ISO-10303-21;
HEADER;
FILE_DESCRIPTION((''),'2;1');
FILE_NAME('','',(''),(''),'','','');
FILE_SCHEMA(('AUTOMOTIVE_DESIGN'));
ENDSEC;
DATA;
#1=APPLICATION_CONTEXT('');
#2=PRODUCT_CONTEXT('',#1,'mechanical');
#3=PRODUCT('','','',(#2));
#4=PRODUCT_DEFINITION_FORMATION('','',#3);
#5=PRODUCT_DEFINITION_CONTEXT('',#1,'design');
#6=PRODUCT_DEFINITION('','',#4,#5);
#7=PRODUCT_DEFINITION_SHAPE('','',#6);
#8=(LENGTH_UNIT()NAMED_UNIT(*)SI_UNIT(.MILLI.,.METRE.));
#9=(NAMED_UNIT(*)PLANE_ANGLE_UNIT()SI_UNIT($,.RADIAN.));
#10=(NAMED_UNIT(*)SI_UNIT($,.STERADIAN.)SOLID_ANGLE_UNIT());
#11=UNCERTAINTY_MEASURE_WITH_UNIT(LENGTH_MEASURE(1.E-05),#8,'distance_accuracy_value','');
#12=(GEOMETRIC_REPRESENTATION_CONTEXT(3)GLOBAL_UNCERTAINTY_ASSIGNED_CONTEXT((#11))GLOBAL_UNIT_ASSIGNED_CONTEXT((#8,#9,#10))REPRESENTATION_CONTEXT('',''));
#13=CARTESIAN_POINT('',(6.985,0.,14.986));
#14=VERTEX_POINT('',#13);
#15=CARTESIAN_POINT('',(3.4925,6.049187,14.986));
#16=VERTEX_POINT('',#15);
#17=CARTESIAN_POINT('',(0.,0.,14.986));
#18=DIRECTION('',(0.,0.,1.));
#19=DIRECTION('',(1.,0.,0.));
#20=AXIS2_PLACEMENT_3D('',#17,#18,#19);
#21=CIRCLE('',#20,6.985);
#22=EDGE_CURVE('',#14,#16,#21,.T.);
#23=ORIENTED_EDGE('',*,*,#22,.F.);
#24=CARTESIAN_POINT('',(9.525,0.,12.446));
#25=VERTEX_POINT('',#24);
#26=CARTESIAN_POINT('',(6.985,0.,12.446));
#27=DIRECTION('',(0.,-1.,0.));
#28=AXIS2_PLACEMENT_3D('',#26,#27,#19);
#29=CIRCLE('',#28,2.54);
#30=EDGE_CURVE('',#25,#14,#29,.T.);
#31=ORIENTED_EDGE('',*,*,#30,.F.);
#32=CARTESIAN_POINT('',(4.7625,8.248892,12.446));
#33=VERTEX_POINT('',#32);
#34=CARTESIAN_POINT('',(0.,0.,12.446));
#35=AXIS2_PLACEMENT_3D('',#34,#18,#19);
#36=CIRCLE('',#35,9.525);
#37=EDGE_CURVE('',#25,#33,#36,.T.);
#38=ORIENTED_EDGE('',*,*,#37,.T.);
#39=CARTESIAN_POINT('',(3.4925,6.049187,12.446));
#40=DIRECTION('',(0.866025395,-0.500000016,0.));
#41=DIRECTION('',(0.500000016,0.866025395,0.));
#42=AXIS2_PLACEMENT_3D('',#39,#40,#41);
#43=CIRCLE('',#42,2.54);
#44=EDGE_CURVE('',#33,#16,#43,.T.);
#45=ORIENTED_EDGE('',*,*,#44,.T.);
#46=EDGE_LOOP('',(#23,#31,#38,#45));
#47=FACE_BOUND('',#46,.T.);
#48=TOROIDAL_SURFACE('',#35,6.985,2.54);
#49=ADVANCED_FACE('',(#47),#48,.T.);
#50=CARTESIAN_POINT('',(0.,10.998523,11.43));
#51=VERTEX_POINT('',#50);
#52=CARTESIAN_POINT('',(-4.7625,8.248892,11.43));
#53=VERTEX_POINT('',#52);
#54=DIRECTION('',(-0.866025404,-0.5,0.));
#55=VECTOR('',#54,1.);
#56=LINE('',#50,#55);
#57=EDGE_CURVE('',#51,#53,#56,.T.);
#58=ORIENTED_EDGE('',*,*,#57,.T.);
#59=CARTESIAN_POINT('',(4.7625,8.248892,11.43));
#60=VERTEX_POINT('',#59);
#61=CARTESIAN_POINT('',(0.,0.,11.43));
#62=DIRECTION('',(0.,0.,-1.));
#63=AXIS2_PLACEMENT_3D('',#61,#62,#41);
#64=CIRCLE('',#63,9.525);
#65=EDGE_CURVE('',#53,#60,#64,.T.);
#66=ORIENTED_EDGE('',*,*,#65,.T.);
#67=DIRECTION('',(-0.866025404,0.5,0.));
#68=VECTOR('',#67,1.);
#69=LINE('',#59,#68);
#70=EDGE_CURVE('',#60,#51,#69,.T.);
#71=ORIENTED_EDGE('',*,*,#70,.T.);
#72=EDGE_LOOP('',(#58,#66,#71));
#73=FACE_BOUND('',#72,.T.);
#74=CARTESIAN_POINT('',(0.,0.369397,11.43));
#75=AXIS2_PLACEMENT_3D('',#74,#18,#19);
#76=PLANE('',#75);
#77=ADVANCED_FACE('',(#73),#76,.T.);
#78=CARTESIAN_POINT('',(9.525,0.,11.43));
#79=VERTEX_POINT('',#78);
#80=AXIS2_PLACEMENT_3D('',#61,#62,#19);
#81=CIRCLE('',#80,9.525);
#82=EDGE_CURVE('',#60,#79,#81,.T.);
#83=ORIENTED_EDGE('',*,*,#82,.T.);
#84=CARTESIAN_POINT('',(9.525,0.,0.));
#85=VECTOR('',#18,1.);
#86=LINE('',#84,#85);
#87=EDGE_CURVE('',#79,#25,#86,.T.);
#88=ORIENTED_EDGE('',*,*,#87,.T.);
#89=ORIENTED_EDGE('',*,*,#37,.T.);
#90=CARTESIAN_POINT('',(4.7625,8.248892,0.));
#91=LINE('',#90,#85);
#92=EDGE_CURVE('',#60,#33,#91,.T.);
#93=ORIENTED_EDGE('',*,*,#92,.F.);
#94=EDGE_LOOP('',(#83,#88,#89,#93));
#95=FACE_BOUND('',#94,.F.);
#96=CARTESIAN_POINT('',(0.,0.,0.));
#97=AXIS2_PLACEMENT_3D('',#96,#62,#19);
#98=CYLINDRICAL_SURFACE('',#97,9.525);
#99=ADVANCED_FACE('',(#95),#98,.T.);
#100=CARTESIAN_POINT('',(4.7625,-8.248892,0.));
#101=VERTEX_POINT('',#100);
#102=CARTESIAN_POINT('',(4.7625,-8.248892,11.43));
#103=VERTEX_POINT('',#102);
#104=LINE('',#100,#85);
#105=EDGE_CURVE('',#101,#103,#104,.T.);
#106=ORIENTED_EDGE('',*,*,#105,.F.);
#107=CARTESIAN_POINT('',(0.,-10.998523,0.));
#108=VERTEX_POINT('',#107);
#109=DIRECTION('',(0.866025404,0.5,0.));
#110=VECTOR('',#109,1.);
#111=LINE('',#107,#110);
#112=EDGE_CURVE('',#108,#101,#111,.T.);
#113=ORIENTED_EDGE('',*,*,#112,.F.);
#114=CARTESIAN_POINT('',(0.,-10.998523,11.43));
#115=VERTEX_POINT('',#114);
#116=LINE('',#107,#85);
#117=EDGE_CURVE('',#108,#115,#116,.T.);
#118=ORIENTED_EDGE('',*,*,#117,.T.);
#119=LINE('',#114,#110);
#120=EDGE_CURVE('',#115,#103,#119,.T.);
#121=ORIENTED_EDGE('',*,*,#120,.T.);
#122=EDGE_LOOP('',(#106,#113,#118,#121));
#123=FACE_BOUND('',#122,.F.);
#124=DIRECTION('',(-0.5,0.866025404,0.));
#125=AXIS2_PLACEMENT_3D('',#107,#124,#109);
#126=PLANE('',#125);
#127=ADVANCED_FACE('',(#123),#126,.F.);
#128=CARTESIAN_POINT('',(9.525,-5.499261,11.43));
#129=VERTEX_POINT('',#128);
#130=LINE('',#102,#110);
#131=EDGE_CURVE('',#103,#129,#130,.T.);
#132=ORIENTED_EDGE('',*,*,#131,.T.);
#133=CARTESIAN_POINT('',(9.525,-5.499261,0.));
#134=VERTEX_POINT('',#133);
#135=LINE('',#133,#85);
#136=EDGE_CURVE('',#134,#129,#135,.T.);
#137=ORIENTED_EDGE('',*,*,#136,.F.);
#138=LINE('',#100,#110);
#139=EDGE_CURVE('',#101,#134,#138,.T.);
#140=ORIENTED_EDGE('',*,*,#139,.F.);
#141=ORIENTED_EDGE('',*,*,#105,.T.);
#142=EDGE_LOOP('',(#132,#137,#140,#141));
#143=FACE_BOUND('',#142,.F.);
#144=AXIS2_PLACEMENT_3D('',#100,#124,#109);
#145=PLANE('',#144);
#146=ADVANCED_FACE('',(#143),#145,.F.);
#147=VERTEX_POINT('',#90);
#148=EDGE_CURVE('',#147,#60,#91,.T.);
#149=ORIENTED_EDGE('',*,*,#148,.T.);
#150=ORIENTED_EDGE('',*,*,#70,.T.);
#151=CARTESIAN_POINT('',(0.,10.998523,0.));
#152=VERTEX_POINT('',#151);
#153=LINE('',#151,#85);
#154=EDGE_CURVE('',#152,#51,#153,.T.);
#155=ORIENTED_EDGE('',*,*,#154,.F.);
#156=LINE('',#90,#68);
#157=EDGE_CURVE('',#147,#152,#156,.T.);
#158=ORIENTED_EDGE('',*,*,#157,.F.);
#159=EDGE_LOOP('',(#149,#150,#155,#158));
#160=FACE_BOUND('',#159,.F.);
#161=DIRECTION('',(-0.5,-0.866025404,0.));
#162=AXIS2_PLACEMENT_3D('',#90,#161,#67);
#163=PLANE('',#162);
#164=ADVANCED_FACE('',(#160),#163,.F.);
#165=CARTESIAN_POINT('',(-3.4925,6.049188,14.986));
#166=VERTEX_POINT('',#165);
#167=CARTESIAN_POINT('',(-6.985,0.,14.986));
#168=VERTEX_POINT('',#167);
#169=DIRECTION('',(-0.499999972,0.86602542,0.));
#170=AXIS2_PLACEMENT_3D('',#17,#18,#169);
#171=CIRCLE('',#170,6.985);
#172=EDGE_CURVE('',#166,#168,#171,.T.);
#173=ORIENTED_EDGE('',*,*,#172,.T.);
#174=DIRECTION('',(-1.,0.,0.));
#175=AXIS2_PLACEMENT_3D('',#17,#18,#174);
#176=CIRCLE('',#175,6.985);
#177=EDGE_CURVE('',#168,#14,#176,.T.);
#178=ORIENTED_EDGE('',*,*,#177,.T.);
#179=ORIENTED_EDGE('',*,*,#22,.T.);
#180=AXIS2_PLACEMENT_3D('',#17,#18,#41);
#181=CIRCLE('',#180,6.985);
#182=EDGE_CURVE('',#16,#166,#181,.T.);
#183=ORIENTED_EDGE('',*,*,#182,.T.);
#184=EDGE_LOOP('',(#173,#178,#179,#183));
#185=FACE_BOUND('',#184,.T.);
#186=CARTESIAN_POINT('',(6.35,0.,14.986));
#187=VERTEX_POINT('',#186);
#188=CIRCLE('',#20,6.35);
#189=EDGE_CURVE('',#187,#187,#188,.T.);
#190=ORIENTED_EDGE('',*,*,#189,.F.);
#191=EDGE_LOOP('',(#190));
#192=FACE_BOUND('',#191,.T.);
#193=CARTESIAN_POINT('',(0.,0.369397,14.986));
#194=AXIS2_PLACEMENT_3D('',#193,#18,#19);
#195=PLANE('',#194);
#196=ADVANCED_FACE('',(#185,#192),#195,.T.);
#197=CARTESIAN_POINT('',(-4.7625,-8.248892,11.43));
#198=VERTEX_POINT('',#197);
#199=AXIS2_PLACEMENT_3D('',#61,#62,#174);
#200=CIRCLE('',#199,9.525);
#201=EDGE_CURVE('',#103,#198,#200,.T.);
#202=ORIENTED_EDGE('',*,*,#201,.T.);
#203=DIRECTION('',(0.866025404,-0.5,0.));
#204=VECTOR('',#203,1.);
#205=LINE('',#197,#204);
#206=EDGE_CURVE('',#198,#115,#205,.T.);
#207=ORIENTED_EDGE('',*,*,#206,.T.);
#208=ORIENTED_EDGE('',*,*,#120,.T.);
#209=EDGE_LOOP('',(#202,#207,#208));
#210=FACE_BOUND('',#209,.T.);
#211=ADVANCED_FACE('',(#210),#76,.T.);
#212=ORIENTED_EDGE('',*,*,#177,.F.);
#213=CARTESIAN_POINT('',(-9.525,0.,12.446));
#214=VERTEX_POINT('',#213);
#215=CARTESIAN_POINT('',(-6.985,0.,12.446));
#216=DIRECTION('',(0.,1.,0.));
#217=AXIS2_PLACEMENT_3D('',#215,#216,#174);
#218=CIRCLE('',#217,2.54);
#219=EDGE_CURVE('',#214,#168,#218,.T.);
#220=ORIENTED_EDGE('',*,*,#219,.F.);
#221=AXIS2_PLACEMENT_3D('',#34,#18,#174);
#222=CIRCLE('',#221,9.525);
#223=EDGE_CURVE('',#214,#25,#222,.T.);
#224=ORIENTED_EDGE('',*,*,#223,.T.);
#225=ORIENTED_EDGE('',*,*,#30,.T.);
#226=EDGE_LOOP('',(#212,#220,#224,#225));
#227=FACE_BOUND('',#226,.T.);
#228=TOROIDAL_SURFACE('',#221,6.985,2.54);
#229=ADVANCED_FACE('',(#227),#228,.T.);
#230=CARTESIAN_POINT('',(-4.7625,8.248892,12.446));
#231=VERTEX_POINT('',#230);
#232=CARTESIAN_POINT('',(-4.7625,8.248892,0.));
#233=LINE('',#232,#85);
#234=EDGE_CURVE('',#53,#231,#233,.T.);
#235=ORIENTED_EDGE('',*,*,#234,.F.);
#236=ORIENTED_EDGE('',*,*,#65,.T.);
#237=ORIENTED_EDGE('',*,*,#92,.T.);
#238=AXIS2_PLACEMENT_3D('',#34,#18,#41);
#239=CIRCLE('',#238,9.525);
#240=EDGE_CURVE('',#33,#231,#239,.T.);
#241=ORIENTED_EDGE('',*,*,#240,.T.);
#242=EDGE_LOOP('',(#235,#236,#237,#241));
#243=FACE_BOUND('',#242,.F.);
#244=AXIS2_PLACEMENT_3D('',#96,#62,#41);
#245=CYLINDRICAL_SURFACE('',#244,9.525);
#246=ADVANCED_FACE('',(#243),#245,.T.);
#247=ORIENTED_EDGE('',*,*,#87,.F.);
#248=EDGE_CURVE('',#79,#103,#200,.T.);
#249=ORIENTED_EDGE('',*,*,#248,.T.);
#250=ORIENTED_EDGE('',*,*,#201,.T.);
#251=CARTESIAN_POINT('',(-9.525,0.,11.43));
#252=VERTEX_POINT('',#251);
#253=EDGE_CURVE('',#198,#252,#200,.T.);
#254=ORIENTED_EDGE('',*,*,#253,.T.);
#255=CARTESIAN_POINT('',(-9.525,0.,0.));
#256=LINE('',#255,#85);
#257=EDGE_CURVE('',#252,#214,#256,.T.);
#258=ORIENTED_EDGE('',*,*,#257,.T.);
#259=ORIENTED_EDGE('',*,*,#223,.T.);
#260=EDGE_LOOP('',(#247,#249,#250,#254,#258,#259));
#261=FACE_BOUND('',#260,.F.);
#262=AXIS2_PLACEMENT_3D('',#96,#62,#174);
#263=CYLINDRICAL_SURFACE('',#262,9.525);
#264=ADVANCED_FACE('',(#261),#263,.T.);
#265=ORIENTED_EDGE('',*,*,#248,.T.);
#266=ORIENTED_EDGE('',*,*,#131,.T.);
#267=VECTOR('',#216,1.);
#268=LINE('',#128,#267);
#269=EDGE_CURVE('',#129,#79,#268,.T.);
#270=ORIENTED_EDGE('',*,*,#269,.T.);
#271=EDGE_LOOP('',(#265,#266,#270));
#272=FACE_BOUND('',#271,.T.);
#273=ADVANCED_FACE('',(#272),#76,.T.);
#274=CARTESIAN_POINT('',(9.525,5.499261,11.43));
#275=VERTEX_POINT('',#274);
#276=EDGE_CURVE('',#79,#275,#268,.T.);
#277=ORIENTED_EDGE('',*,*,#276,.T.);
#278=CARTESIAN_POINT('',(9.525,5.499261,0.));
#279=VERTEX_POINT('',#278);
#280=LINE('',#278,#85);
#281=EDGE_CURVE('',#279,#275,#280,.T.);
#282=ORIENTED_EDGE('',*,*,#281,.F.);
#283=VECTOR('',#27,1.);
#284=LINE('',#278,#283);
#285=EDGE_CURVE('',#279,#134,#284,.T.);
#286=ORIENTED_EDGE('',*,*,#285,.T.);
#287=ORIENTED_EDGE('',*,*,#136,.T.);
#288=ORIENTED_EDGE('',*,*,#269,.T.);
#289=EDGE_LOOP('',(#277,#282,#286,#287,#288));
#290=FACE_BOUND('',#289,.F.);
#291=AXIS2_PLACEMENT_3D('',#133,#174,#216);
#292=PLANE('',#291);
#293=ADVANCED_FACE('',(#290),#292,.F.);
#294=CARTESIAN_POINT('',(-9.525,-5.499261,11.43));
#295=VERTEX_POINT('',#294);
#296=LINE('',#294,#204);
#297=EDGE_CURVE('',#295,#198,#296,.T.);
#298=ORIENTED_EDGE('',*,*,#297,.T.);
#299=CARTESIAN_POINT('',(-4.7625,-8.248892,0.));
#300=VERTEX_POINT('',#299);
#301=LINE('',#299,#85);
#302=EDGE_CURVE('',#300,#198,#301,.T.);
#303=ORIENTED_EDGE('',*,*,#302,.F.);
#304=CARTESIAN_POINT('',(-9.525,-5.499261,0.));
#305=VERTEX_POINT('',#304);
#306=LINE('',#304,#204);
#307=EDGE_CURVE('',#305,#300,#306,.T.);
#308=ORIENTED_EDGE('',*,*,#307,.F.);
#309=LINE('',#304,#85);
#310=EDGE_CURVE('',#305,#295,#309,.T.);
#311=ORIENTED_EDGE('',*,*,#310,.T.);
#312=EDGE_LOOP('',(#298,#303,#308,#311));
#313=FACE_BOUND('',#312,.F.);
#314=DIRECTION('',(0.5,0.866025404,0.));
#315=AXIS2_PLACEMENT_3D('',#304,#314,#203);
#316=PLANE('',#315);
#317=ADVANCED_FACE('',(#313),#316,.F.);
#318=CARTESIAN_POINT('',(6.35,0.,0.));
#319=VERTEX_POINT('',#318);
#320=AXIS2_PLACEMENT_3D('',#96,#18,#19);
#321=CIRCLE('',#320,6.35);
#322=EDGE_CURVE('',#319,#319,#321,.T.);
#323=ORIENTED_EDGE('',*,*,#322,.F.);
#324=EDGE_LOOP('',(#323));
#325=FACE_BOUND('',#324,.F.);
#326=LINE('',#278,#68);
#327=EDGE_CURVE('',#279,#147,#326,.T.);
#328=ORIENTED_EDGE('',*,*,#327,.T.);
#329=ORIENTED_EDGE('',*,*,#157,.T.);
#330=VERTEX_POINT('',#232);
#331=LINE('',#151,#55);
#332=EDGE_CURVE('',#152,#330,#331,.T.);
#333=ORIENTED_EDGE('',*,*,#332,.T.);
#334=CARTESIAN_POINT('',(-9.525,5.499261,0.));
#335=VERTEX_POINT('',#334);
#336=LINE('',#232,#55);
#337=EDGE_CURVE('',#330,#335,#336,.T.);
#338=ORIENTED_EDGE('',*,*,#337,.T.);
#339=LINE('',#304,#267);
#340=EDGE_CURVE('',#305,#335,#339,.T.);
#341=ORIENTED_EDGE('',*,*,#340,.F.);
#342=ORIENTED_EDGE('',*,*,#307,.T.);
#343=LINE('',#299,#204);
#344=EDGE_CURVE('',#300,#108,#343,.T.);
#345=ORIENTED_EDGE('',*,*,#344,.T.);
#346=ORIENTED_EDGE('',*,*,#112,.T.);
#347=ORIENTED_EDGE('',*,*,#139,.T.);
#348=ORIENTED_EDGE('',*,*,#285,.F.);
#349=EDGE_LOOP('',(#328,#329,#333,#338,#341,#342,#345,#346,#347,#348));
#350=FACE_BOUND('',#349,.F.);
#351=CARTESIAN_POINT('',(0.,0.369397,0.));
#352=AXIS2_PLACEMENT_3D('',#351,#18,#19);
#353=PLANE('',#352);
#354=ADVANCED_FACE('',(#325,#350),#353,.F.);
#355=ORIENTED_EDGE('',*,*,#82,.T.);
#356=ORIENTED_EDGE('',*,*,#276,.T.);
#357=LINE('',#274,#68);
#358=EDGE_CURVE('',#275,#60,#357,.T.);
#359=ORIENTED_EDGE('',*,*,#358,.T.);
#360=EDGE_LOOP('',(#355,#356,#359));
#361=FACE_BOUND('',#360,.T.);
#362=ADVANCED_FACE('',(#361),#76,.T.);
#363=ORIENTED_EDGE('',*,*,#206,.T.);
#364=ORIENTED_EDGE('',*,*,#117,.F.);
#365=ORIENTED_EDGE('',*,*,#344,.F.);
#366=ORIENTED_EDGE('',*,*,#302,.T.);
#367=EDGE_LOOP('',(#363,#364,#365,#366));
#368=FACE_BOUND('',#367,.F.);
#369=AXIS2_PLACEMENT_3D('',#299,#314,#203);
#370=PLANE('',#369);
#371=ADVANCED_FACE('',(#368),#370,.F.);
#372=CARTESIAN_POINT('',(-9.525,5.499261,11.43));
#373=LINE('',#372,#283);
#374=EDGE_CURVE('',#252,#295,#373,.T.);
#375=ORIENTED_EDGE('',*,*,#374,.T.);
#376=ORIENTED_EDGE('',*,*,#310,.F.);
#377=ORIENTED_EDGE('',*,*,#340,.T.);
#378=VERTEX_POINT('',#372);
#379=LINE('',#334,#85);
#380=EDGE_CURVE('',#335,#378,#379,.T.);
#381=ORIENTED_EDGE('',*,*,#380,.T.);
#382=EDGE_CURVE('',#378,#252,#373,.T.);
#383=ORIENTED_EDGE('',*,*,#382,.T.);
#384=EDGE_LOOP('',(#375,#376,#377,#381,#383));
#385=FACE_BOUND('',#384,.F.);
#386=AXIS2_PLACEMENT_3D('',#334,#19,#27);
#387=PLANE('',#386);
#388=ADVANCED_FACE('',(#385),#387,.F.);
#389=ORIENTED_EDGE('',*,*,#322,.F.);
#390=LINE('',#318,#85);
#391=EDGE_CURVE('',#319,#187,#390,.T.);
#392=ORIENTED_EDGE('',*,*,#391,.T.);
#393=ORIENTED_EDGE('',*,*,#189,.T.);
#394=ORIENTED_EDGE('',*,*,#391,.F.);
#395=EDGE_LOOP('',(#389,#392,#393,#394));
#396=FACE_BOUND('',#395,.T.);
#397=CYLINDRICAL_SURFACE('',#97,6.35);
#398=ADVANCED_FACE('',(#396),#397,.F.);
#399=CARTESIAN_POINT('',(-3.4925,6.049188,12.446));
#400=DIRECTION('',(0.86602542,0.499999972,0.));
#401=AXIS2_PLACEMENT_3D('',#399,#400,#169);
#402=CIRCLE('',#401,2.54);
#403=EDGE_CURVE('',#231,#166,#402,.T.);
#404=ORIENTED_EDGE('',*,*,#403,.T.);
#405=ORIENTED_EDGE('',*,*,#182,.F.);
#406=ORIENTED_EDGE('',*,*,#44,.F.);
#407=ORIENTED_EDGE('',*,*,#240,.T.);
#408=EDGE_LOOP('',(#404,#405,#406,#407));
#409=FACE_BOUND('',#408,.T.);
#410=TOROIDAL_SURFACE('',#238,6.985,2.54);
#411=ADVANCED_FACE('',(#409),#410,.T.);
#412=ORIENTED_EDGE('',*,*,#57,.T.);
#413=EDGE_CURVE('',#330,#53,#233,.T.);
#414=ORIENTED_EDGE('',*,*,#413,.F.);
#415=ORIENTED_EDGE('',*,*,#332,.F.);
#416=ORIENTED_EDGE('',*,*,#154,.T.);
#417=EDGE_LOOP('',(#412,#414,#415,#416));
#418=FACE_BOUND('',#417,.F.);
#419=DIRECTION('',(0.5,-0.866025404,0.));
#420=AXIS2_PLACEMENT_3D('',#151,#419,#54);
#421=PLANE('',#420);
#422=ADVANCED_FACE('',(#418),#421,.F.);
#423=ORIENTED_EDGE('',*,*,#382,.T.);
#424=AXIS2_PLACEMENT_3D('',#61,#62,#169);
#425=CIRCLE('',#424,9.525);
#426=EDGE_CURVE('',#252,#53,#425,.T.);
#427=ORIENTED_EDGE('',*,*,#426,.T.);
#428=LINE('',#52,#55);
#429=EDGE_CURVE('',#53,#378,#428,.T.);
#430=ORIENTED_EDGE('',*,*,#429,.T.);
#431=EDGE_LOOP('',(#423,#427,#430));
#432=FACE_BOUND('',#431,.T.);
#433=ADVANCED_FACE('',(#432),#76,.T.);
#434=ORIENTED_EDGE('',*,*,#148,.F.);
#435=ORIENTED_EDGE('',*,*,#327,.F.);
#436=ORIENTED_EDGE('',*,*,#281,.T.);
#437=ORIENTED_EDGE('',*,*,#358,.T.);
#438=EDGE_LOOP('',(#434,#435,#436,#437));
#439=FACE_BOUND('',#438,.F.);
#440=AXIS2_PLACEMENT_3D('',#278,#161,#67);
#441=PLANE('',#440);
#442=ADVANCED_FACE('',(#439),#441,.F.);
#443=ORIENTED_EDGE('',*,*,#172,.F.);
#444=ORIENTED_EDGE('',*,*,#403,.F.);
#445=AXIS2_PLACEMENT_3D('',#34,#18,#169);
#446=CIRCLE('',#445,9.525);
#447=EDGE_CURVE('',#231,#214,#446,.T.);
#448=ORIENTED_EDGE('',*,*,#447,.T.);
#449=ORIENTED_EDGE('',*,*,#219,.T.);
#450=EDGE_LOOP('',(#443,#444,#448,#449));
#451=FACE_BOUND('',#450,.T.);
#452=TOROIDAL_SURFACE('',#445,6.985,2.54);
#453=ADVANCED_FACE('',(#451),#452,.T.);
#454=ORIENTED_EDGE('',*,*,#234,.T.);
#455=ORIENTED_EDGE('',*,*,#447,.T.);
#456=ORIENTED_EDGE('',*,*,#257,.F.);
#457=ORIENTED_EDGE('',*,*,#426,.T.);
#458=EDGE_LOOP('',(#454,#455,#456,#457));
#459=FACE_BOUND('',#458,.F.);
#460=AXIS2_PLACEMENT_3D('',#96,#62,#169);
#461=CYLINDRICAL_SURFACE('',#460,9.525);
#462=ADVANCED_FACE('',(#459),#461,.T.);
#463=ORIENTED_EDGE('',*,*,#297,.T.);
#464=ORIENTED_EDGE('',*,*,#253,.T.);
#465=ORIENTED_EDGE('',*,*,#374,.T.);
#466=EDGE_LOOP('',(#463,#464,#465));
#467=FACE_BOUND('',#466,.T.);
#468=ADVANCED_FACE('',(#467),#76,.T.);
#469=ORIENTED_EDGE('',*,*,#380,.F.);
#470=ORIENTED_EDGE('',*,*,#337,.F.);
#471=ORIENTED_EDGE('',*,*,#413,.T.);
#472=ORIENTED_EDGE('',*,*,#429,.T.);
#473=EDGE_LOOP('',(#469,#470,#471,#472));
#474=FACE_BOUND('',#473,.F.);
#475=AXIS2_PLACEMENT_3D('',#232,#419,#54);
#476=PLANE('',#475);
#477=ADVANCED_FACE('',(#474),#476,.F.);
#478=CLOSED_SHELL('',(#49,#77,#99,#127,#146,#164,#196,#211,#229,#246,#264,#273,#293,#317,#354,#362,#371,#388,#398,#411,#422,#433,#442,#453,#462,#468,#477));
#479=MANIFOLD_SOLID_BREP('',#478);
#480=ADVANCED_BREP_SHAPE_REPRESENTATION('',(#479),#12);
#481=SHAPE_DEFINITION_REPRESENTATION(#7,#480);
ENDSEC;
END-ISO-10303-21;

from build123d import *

# Parameters (mm, degrees)
F0_R     = 6.35
F1_DEPTH = 11.43
F2_DEPTH = 14.986
F3_R     = 2.54


with BuildPart() as f1:
    # F0 (on Top) → F1 (new body)
    with BuildSketch(Plane.XY):
        with BuildLine():
            ThreePointArc((4.7624999017, -8.2488920278), (8.2488919427, -4.7625000491), (9.525, 0))
            ThreePointArc((9.525, 0), (8.2488920139, 4.7624999258), (4.7625001484, 8.2488918854))
            ThreePointArc((4.7625001484, 8.2488918854), (2.371e-07, 9.525), (-4.7624997378, 8.2488921224))
            ThreePointArc((-4.7624997378, 8.2488921224), (-8.2488918954, 4.7625001311), (-9.525, 0))
            ThreePointArc((-9.525, 0), (-8.2488919427, -4.7625000491), (-4.7624999017, -8.2488920278))
            ThreePointArc((-4.7624999017, -8.2488920278), (0, -9.525), (4.7624999017, -8.2488920278))
        make_face()
        Circle(F0_R, mode=Mode.SUBTRACT)
        with BuildLine():
            ThreePointArc((-9.525, 0), (-8.2488918954, 4.7625001311), (-4.7624997378, 8.2488921224))
            Line((-4.7624997378, 8.2488921224), (-9.525, 5.499261314))
            Line((-9.525, 5.499261314), (-9.525, 0))
        make_face()
        with BuildLine():
            ThreePointArc((-4.7624997378, 8.2488921224), (2.371e-07, 9.525), (4.7625001484, 8.2488918854))
            Line((4.7625001484, 8.2488918854), (0, 10.9985226281))
            Line((0, 10.9985226281), (-4.7624997378, 8.2488921224))
        make_face()
        with BuildLine():
            ThreePointArc((4.7625001484, 8.2488918854), (8.2488920139, 4.7624999258), (9.525, 0))
            Line((9.525, 0), (9.525, 5.499261314))
            Line((9.525, 5.499261314), (4.7625001484, 8.2488918854))
        make_face()
        with BuildLine():
            Line((9.525, -5.499261314), (9.525, 0))
            ThreePointArc((9.525, 0), (8.2488919427, -4.7625000491), (4.7624999017, -8.2488920278))
            Line((4.7624999017, -8.2488920278), (9.525, -5.499261314))
        make_face()
        with BuildLine():
            Line((0, -10.9985226281), (4.7624999017, -8.2488920278))
            ThreePointArc((4.7624999017, -8.2488920278), (0, -9.525), (-4.7624999017, -8.2488920278))
            Line((-4.7624999017, -8.2488920278), (0, -10.9985226281))
        make_face()
        with BuildLine():
            Line((-9.525, -5.499261314), (-4.7624999017, -8.2488920278))
            ThreePointArc((-4.7624999017, -8.2488920278), (-8.2488919427, -4.7625000491), (-9.525, 0))
            Line((-9.525, 0), (-9.525, -5.499261314))
        make_face()
    extrude(amount=F1_DEPTH)

    # F0 (on Top) → F2 (join)
    with BuildSketch(Plane.XY):
        with BuildLine():
            ThreePointArc((4.7624999017, -8.2488920278), (8.2488919427, -4.7625000491), (9.525, 0))
            ThreePointArc((9.525, 0), (8.2488920139, 4.7624999258), (4.7625001484, 8.2488918854))
            ThreePointArc((4.7625001484, 8.2488918854), (2.371e-07, 9.525), (-4.7624997378, 8.2488921224))
            ThreePointArc((-4.7624997378, 8.2488921224), (-8.2488918954, 4.7625001311), (-9.525, 0))
            ThreePointArc((-9.525, 0), (-8.2488919427, -4.7625000491), (-4.7624999017, -8.2488920278))
            ThreePointArc((-4.7624999017, -8.2488920278), (0, -9.525), (4.7624999017, -8.2488920278))
        make_face()
        Circle(F0_R, mode=Mode.SUBTRACT)
    extrude(amount=F2_DEPTH)

    # F3
    f3_edges = [f1.edges().sort_by_distance(p)[0] for p in [
        (-9.525, 0, 14.986),
    ]]
    fillet(f3_edges, radius=F3_R)


solid = f1.part
